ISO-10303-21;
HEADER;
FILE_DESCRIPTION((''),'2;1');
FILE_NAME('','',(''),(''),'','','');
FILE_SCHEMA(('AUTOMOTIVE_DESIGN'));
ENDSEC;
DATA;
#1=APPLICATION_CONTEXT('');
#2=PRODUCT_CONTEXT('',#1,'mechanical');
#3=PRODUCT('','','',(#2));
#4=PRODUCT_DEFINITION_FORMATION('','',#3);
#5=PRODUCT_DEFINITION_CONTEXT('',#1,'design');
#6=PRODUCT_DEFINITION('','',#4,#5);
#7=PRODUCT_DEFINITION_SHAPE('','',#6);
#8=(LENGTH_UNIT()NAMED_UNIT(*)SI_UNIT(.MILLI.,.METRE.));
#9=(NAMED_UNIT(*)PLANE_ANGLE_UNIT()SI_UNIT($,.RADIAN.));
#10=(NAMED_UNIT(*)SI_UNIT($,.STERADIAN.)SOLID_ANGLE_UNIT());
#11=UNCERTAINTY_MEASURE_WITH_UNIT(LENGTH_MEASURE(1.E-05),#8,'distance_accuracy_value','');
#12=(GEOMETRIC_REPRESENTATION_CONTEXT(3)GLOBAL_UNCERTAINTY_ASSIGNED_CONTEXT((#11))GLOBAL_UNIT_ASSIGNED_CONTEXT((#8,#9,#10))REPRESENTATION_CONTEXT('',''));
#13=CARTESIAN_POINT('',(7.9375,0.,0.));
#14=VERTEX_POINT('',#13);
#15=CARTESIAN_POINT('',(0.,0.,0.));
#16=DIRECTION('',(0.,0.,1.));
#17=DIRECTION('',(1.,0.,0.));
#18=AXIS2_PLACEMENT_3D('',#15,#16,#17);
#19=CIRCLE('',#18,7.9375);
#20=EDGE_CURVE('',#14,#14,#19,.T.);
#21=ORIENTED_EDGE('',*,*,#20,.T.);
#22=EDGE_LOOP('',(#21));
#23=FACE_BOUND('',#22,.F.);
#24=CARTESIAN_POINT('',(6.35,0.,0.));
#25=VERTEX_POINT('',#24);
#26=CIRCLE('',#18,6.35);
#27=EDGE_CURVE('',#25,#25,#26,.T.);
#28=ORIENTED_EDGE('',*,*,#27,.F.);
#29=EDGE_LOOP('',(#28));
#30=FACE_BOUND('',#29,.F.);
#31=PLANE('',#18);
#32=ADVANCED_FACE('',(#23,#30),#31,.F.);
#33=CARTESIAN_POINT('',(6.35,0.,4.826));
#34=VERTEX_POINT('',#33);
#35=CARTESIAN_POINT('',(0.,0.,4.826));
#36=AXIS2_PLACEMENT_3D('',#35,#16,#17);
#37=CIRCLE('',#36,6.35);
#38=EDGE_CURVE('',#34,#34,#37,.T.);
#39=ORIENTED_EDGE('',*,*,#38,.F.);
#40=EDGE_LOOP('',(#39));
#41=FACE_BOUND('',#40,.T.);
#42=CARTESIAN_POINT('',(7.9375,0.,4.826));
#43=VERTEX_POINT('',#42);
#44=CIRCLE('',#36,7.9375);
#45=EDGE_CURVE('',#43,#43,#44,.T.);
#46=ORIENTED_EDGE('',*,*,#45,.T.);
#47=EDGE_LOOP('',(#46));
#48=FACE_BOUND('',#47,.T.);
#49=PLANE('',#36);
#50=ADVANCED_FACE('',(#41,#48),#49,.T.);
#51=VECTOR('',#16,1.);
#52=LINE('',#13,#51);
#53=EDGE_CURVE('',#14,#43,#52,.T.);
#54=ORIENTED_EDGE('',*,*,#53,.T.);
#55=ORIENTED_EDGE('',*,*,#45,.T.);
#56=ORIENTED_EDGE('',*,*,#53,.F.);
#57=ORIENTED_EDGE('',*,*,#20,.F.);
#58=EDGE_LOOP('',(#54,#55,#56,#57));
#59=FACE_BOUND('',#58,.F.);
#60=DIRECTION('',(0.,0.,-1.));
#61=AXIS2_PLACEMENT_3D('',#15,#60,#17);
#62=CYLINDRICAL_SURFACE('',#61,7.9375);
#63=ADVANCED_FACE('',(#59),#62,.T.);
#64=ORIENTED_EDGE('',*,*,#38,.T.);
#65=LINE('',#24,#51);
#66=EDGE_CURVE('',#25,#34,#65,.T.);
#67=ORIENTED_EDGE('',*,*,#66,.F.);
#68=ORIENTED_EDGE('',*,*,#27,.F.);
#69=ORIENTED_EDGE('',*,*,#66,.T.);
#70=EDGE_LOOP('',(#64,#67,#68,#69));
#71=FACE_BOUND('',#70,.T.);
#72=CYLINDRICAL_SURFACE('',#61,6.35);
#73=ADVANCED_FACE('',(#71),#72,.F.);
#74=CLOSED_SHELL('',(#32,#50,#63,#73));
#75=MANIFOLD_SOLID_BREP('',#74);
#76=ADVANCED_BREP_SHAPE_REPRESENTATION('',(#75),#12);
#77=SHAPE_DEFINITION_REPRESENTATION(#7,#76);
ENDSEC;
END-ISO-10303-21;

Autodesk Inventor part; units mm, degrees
ref_plane "YZ Plane" through (0, 0, 0) normal (1, 0, 0) x (0, 1, 0)
ref_plane "XZ Plane" through (0, 0, 0) normal (0, 1, 0) x (-1, 0, 0)
ref_plane "XY Plane" through (0, 0, 0) normal (0, 0, 1) x (1, 0, 0)
sketch "Sketch1" plane through (0, 0, 0) normal (0, 0, 1) x (1, 0, 0)
  circle A0 centre (0, 0) radius 6.35
  circle A1 centre (0, 0) radius 7.9375
  dimension "d0" = 12.7
  dimension "d1" = 15.875
extrude "Extrusion1" add sketch "Sketch1" along normal blind 4.826
properties part number "PVC pipe spacer center wheels" material "PVC-Piping"
